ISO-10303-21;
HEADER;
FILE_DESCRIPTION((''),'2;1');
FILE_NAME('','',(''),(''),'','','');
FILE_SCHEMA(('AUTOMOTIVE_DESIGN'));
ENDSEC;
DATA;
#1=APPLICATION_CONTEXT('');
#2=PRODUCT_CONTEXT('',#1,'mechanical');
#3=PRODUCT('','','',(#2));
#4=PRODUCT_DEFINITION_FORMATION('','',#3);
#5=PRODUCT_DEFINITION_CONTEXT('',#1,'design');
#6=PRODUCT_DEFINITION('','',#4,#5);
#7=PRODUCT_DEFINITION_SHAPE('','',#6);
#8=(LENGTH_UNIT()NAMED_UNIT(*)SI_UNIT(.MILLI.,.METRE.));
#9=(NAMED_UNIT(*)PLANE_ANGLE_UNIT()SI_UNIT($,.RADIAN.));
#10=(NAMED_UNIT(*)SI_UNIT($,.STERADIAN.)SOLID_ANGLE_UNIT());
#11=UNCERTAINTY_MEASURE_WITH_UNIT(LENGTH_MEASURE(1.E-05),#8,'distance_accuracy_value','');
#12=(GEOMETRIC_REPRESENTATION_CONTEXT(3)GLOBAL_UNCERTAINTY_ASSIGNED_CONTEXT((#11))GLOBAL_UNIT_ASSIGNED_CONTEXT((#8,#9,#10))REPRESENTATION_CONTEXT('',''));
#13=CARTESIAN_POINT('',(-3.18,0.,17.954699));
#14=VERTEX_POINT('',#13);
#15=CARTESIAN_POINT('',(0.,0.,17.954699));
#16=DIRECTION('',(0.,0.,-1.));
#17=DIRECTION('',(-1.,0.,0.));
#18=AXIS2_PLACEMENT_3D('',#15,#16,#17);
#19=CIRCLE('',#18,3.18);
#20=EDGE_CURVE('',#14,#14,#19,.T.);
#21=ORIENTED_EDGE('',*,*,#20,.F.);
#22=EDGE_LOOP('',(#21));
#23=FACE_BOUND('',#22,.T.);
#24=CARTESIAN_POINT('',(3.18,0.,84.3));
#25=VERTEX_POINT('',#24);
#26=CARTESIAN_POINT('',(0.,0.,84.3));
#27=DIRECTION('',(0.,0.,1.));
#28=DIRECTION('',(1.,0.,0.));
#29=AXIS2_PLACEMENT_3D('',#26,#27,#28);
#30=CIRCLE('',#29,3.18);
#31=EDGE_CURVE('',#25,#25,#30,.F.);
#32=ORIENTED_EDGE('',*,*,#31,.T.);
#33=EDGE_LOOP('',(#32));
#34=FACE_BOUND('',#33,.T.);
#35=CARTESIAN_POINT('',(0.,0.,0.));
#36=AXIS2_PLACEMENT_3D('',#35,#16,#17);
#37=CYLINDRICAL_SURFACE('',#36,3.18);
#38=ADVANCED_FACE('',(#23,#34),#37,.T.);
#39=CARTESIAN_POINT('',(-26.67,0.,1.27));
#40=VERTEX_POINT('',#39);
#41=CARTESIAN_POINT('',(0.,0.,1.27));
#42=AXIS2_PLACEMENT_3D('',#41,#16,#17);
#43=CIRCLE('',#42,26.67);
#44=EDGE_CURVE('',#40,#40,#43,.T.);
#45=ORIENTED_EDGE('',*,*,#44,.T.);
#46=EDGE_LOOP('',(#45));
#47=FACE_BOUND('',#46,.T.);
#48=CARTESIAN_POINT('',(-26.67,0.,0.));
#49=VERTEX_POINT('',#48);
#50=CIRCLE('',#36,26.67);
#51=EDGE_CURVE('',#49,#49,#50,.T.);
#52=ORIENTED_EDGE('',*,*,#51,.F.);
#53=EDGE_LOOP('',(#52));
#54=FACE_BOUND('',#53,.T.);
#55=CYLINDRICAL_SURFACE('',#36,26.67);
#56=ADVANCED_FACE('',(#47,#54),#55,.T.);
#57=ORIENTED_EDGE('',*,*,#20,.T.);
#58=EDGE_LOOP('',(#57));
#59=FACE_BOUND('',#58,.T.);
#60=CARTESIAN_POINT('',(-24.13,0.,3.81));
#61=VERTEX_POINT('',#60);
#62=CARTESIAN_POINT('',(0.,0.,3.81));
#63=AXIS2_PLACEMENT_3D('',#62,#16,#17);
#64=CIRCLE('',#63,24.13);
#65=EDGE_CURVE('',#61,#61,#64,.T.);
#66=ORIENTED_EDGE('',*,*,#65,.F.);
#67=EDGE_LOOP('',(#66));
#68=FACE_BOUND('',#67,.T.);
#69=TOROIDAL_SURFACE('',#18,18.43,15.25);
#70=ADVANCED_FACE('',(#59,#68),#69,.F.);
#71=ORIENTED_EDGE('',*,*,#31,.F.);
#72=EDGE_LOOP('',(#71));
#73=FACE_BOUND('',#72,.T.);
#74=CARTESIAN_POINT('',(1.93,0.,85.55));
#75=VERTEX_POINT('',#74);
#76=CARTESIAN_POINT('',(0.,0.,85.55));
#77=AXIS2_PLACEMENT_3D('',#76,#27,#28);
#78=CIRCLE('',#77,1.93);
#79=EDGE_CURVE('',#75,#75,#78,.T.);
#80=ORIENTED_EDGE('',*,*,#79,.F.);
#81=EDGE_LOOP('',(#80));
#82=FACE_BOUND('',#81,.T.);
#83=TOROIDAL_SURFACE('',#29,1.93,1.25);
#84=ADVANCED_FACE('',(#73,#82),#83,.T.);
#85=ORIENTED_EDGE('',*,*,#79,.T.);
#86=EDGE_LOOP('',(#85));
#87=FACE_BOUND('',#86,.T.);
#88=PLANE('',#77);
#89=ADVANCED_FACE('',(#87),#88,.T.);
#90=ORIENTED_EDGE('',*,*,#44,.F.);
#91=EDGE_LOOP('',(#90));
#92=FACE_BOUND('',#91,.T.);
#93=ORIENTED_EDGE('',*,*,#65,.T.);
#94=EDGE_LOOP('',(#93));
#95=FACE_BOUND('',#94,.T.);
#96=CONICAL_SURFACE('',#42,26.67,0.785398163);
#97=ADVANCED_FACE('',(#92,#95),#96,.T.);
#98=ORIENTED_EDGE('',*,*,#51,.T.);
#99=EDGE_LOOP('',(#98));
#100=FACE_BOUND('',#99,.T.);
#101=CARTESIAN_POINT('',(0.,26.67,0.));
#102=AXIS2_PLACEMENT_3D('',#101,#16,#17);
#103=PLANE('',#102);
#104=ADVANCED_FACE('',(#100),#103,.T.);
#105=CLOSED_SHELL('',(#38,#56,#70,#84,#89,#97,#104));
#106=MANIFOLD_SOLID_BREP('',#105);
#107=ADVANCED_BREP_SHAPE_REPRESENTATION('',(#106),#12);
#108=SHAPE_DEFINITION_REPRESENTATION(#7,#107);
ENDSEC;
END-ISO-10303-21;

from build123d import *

# Parameters (mm, degrees)
FILLET1_R = 1.25


with BuildPart() as part:
    # Sketch1 → Revolve1 (revolve)
    with BuildSketch(Plane.YZ, mode=Mode.PRIVATE) as revolve1_sk:
        with BuildLine():
            Line((0, 0), (0, 85.55))
            Line((0, 85.55), (3.18, 85.55))
            Line((3.18, 85.55), (3.18, 17.954698654))
            ThreePointArc((3.18, 17.954698654), (9.896609701, 5.315721242), (24.13, 3.81))
            Line((24.13, 3.81), (26.67, 1.27))
            Line((26.67, 1.27), (26.67, 0))
            Line((26.67, 0), (0, 0))
        make_face()
    revolve(revolve1_sk.sketch.rotate(Axis((0, 0, 0), (0, 0, 1)), 90), axis=Axis((0, 0, 0), (0, 0, 1)))

    # Fillet1
    fillet1_edges = [part.edges().sort_by_distance(p)[0] for p in [
        (3.18, 0, 85.55),
    ]]
    fillet(fillet1_edges, radius=FILLET1_R)


solid = part.part
